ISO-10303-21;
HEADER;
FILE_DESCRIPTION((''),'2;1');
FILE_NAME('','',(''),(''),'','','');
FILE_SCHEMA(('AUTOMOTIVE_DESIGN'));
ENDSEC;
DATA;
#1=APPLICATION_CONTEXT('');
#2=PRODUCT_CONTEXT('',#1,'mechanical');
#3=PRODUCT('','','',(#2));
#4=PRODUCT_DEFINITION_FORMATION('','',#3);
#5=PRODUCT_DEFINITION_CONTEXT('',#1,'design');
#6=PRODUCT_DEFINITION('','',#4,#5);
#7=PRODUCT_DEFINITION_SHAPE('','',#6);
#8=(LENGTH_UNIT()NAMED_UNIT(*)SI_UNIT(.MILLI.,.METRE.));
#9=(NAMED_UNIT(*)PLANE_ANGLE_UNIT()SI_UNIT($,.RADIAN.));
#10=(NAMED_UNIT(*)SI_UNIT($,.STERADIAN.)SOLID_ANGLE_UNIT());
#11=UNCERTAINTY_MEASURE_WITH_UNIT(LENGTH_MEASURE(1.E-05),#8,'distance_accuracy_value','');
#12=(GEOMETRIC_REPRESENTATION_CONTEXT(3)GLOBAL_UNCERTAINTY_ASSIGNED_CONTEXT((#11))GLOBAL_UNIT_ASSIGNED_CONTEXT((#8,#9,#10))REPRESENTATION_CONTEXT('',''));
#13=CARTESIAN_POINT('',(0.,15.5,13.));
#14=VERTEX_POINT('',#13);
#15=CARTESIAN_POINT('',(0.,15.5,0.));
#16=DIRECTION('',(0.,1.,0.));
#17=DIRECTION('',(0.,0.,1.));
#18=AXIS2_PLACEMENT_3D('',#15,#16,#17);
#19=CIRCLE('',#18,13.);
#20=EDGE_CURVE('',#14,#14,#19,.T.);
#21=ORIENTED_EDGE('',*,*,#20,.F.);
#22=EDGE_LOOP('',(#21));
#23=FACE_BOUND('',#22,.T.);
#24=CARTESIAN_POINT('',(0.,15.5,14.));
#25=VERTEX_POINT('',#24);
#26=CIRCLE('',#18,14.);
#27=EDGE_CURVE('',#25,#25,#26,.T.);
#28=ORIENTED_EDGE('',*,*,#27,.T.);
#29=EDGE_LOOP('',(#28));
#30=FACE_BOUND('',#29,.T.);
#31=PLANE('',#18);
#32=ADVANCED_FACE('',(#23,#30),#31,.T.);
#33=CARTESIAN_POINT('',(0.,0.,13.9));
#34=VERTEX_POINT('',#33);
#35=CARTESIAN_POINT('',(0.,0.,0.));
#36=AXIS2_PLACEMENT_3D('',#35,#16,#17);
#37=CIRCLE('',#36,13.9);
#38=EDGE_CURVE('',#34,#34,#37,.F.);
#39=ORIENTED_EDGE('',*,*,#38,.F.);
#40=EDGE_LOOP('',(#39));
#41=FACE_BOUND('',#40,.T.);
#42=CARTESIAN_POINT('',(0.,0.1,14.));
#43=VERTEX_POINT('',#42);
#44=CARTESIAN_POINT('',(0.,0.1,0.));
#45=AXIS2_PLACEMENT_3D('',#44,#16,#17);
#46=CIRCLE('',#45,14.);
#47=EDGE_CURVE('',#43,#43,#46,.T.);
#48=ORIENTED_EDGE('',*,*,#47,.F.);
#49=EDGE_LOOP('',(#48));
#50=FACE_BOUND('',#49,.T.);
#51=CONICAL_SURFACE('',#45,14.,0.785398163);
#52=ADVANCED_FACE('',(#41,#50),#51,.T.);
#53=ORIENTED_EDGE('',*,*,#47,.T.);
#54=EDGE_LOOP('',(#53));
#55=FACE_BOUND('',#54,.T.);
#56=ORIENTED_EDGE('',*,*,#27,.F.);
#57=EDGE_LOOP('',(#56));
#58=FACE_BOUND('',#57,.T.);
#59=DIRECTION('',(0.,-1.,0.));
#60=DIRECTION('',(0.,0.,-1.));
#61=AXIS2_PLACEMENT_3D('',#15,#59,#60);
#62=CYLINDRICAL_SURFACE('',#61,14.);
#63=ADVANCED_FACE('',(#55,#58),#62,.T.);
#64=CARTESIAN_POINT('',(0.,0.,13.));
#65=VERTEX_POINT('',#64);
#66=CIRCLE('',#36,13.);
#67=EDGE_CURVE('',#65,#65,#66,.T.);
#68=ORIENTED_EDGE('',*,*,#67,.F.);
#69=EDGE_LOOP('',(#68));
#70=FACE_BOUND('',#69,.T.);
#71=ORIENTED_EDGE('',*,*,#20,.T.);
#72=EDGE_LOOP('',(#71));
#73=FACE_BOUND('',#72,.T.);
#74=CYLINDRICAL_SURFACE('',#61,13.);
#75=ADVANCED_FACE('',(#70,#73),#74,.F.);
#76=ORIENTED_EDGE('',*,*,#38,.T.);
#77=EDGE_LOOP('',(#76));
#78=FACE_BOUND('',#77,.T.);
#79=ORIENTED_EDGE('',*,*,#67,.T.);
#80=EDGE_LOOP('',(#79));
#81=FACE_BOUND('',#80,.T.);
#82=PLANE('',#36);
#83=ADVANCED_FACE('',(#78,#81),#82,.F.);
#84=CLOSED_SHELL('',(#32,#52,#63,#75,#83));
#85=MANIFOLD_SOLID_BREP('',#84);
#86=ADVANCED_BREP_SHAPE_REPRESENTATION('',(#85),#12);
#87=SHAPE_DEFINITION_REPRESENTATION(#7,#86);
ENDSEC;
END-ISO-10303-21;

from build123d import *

# Parameters (mm, degrees)
CROQUIS1_R              = 14
CROQUIS1_R_2            = 13
SALIENTE_EXTRUIR1_DEPTH = 15.5
CHAFL_N1_SIZE           = 0.1


with BuildPart() as part:
    # Croquis1 → Saliente-Extruir1 (new body)
    with BuildSketch(Plane(origin=(0, 0, 0), x_dir=(1, 0, 0), z_dir=(0, 1, 0))):
        with Locations(Location((0, 0, 0), (0, 0, 270))):
            Circle(CROQUIS1_R)
        with Locations(Location((0, 0, 0), (0, 0, 270))):
            Circle(CROQUIS1_R_2, mode=Mode.SUBTRACT)
    extrude(amount=SALIENTE_EXTRUIR1_DEPTH)

    # Chaflán1
    chafl_n1_edges = [part.edges().sort_by_distance(p)[0] for p in [
        (0, 0, -14),
    ]]
    chamfer(chafl_n1_edges, length=CHAFL_N1_SIZE)


solid = part.part
